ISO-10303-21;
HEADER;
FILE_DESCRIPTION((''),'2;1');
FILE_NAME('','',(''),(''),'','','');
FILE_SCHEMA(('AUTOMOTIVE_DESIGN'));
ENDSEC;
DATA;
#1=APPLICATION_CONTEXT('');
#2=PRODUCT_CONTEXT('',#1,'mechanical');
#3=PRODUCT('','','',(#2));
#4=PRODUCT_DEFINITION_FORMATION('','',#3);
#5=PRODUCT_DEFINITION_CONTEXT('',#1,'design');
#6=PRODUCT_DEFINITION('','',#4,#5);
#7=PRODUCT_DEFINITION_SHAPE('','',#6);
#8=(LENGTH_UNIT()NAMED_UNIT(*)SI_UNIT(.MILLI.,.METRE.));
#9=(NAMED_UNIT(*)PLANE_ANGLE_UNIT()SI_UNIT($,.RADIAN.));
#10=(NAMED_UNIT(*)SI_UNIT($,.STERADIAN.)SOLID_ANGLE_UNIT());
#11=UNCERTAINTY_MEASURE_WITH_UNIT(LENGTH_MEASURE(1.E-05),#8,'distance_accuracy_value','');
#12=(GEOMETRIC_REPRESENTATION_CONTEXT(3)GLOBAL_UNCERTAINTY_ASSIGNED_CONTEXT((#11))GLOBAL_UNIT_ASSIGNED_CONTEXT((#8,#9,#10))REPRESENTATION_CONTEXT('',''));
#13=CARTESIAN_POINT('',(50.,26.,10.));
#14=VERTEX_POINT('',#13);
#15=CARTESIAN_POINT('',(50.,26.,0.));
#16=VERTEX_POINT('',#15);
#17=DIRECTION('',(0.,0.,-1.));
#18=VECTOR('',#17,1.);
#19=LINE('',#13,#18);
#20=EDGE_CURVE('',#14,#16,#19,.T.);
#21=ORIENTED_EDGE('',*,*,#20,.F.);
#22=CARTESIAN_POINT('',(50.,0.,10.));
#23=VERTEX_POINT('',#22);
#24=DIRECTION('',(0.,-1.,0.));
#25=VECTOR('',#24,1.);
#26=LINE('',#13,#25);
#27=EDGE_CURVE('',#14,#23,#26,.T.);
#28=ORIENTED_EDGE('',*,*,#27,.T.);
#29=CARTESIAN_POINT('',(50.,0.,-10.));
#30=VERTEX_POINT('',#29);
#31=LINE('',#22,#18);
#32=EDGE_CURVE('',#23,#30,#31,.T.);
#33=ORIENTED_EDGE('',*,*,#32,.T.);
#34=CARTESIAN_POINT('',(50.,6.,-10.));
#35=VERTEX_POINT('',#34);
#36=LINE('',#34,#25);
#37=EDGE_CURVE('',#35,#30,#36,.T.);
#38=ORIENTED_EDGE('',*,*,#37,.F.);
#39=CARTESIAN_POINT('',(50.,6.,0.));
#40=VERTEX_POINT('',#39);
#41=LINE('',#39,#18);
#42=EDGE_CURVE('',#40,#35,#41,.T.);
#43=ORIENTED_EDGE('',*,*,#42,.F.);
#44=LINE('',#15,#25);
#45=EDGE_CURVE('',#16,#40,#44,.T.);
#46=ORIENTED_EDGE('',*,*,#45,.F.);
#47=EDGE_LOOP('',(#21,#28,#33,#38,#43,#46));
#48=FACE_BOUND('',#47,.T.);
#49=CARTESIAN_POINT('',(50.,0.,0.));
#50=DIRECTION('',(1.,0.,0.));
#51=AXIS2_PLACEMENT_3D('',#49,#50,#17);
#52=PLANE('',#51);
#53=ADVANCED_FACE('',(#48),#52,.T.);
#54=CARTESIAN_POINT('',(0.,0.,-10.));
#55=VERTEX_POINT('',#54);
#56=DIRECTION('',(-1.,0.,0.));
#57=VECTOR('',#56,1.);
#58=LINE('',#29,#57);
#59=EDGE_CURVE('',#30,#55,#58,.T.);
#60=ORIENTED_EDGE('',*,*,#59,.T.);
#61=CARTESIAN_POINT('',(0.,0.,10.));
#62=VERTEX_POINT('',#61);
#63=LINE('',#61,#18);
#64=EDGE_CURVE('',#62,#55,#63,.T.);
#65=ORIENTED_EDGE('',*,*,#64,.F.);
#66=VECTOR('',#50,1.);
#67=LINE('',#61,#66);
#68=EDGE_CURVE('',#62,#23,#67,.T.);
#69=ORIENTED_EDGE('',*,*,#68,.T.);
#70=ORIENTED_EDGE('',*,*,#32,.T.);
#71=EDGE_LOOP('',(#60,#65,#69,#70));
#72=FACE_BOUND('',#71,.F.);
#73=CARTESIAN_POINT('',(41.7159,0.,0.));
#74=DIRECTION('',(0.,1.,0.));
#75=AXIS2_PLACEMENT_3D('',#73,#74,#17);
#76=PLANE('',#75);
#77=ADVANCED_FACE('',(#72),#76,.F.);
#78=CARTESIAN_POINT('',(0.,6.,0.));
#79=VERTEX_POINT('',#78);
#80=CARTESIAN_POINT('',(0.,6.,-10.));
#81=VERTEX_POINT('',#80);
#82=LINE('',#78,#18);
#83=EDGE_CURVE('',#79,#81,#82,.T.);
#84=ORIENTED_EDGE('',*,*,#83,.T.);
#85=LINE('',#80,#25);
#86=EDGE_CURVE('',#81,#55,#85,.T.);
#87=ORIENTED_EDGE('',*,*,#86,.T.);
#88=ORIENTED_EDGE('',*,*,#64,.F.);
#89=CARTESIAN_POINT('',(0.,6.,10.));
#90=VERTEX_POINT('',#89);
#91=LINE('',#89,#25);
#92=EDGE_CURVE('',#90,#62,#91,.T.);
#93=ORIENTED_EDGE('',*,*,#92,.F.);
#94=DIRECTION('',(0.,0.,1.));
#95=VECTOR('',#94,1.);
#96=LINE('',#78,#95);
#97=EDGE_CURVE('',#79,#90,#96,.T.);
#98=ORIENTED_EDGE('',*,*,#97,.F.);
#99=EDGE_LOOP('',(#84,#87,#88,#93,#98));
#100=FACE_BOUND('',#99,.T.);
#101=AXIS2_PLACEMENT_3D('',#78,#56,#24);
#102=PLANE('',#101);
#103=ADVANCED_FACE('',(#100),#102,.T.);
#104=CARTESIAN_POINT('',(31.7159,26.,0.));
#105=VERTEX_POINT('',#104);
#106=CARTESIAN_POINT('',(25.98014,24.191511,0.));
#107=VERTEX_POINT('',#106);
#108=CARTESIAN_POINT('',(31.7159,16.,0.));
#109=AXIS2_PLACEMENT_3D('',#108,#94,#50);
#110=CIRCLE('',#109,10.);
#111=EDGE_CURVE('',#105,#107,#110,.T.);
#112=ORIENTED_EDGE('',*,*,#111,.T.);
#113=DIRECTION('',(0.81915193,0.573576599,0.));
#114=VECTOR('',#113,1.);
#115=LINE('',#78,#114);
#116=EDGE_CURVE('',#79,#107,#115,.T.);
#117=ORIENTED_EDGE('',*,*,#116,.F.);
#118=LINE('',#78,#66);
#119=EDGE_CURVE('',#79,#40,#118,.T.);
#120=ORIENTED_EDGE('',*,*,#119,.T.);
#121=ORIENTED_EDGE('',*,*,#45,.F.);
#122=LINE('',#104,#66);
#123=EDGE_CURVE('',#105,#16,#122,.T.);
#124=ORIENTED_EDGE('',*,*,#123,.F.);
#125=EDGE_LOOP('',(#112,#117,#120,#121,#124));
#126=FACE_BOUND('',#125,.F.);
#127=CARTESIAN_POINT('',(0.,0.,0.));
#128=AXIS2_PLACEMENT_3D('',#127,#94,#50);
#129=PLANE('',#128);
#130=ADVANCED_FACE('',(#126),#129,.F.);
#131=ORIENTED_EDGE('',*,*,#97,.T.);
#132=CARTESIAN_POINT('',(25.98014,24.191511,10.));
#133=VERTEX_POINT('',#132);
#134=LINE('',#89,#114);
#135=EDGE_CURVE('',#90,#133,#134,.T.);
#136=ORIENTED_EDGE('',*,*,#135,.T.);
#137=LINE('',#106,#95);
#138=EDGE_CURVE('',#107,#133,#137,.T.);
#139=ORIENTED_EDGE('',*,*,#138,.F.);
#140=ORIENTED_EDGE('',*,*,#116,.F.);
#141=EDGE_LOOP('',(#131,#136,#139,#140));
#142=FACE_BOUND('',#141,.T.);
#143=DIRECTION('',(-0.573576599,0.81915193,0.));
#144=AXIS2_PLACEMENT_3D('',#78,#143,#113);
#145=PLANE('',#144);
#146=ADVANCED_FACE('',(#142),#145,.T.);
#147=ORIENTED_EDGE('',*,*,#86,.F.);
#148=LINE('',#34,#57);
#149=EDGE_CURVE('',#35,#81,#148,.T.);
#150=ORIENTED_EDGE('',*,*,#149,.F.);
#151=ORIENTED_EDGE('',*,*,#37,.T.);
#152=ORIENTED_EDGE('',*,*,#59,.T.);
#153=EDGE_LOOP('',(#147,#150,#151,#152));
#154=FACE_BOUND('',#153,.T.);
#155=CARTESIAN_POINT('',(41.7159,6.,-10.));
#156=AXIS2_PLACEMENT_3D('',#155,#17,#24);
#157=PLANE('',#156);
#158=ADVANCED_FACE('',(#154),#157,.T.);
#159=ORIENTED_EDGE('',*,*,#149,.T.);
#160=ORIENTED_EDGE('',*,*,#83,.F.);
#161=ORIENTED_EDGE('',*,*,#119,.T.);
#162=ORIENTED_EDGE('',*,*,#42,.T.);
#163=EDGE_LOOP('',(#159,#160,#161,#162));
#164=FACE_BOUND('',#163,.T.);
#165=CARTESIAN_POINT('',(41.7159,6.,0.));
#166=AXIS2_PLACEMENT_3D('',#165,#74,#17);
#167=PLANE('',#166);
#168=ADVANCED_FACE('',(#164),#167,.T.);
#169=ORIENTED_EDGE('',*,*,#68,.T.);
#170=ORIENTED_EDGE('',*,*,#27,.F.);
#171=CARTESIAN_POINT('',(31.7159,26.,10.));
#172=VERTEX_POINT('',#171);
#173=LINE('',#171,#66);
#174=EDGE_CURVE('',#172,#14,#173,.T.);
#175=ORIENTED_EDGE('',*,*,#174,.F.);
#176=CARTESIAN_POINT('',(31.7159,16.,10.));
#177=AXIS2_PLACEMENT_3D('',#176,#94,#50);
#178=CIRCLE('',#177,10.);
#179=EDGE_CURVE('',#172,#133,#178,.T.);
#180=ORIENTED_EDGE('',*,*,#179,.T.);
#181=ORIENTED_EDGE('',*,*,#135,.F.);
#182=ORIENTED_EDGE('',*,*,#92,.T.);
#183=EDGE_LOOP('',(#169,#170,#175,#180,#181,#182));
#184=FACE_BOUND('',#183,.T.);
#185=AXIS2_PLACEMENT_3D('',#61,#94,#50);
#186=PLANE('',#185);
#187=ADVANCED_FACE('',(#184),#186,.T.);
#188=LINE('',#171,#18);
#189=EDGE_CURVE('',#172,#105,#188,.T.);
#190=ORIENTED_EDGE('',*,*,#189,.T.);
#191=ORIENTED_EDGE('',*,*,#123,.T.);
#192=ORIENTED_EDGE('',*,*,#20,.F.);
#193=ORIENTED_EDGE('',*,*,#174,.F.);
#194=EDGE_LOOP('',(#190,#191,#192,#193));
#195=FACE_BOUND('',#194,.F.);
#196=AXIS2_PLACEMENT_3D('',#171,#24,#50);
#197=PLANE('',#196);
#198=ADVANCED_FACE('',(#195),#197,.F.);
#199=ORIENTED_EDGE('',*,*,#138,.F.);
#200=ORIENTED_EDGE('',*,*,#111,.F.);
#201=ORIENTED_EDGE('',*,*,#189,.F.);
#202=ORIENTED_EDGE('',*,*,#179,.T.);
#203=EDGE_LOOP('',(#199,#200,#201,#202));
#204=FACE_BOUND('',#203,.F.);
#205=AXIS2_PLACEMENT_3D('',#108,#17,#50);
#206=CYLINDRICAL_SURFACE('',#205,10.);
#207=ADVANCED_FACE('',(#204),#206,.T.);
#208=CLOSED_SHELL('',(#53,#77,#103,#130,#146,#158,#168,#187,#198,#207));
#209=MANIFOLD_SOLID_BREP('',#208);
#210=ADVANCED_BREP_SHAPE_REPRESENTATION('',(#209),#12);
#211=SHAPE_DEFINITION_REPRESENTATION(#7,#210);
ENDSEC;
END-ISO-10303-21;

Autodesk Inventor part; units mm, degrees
ref_plane "YZ Plane" through (0, 0, 0) normal (1, 0, 0) x (0, 1, 0)
ref_plane "XZ Plane" through (0, 0, 0) normal (0, 1, 0) x (-1, 0, 0)
ref_plane "XY Plane" through (0, 0, 0) normal (0, 0, 1) x (1, 0, 0)
sketch "Sketch1" plane through (0, 0, 0) normal (0, 0, 1) x (1, 0, 0)
  line L0 (0, 0) -> (41.7159, 0)
  line L1 (41.7159, 0) -> (41.7159, 6)
  line L2 (41.7159, 6) -> (0, 6)
  line L3 (0, 6) -> (0, 0)
  line L4 (0, 6) -> (41.7159, 35.2098)
  line L5 (41.7159, 6) -> (41.7159, 35.2098)
  circle A0 centre (31.7159, 16) radius 10
  point P0 (41.7159, 16)
  point P1 (25.9802, 24.1915)
  dimension "d0" = 35
  dimension "d1" = 6
  dimension "d12" = 20
extrude "Extrusion1" add sketch "Sketch1" along normal blind 10 contours L3 L2 L1 L0 | L4 A0 L2 | L2 A0 L5 | A0
sketch "Sketch3" plane through (0, 0, 0) normal (0, 0, -1) x (-1, 0, 0)
  line L0 (-41.7159, 0) -> (-41.7159, 16) projected
  line L1 (0, 0) -> (-41.7159, 0) projected
  line L2 (0, 6) -> (0, 0) projected
  line L3 (-25.9802, 24.1915) -> (0, 6) projected
  line L4 (-47.336, 39.1451) -> (0, 6) projected
  line L5 (-41.7159, 0) -> (0, 0)
  line L6 (0, 0) -> (0, 6)
  line L7 (0, 6) -> (-41.7159, 6)
  line L8 (-41.7159, 6) -> (-41.7159, 0)
  arc A0 (-25.9802, 24.1915) -> (-41.7159, 16) centre (-31.7159, 16) ccw projected
  point P0 (-46.3964, 40.4871)
extrude "Extrusion3" add sketch "Sketch3" along normal blind 10 contours L0 L7 L2 L1
sketch "Sketch4" plane through (0, 0, 10) normal (0, 0, 1) x (1, 0, 0)
  line L0 (0, 6) -> (0, 0) projected
  line L1 (0, 0) -> (41.7159, 0) projected
  line L2 (41.7159, 0) -> (41.7159, 16) projected
  arc A0 (41.7159, 16) -> (25.9802, 24.1915) centre (31.7159, 16) ccw projected
  line L3 (25.9802, 24.1915) -> (0, 6) projected
  line L4 (31.7159, 26) -> (50, 26)
  line L5 (50, 26) -> (50, 0)
  line L6 (50, 0) -> (31.7159, 0)
  line L7 (31.7159, 0) -> (31.7159, 26)
  arc A1 (41.7159, 16) -> (25.9802, 24.1915) centre (31.7159, 16) ccw projected
  point P0 (41.7159, 0)
  dimension "d14" = 50
extrude "Extrusion4" add sketch "Sketch4" against normal up to surface (10 mm away) contours L4 L5 L6 L2 A0
sketch "Sketch5" plane through (41.7159, 0, 0) normal (1, 0, 0) x (0, 0, -1)
  line L0 (0, 6) -> (0, 0) projected
  line L1 (0, 0) -> (10, 0) projected
  line L2 (10, 6) -> (10, 0) projected
  line L3 (0, 6) -> (10, 6) projected
  point P0 (0, 0)
extrude "Extrusion5" add sketch "Sketch5" along normal up to surface (8.2841 mm away)
properties part number "Print_Parts_F1"
